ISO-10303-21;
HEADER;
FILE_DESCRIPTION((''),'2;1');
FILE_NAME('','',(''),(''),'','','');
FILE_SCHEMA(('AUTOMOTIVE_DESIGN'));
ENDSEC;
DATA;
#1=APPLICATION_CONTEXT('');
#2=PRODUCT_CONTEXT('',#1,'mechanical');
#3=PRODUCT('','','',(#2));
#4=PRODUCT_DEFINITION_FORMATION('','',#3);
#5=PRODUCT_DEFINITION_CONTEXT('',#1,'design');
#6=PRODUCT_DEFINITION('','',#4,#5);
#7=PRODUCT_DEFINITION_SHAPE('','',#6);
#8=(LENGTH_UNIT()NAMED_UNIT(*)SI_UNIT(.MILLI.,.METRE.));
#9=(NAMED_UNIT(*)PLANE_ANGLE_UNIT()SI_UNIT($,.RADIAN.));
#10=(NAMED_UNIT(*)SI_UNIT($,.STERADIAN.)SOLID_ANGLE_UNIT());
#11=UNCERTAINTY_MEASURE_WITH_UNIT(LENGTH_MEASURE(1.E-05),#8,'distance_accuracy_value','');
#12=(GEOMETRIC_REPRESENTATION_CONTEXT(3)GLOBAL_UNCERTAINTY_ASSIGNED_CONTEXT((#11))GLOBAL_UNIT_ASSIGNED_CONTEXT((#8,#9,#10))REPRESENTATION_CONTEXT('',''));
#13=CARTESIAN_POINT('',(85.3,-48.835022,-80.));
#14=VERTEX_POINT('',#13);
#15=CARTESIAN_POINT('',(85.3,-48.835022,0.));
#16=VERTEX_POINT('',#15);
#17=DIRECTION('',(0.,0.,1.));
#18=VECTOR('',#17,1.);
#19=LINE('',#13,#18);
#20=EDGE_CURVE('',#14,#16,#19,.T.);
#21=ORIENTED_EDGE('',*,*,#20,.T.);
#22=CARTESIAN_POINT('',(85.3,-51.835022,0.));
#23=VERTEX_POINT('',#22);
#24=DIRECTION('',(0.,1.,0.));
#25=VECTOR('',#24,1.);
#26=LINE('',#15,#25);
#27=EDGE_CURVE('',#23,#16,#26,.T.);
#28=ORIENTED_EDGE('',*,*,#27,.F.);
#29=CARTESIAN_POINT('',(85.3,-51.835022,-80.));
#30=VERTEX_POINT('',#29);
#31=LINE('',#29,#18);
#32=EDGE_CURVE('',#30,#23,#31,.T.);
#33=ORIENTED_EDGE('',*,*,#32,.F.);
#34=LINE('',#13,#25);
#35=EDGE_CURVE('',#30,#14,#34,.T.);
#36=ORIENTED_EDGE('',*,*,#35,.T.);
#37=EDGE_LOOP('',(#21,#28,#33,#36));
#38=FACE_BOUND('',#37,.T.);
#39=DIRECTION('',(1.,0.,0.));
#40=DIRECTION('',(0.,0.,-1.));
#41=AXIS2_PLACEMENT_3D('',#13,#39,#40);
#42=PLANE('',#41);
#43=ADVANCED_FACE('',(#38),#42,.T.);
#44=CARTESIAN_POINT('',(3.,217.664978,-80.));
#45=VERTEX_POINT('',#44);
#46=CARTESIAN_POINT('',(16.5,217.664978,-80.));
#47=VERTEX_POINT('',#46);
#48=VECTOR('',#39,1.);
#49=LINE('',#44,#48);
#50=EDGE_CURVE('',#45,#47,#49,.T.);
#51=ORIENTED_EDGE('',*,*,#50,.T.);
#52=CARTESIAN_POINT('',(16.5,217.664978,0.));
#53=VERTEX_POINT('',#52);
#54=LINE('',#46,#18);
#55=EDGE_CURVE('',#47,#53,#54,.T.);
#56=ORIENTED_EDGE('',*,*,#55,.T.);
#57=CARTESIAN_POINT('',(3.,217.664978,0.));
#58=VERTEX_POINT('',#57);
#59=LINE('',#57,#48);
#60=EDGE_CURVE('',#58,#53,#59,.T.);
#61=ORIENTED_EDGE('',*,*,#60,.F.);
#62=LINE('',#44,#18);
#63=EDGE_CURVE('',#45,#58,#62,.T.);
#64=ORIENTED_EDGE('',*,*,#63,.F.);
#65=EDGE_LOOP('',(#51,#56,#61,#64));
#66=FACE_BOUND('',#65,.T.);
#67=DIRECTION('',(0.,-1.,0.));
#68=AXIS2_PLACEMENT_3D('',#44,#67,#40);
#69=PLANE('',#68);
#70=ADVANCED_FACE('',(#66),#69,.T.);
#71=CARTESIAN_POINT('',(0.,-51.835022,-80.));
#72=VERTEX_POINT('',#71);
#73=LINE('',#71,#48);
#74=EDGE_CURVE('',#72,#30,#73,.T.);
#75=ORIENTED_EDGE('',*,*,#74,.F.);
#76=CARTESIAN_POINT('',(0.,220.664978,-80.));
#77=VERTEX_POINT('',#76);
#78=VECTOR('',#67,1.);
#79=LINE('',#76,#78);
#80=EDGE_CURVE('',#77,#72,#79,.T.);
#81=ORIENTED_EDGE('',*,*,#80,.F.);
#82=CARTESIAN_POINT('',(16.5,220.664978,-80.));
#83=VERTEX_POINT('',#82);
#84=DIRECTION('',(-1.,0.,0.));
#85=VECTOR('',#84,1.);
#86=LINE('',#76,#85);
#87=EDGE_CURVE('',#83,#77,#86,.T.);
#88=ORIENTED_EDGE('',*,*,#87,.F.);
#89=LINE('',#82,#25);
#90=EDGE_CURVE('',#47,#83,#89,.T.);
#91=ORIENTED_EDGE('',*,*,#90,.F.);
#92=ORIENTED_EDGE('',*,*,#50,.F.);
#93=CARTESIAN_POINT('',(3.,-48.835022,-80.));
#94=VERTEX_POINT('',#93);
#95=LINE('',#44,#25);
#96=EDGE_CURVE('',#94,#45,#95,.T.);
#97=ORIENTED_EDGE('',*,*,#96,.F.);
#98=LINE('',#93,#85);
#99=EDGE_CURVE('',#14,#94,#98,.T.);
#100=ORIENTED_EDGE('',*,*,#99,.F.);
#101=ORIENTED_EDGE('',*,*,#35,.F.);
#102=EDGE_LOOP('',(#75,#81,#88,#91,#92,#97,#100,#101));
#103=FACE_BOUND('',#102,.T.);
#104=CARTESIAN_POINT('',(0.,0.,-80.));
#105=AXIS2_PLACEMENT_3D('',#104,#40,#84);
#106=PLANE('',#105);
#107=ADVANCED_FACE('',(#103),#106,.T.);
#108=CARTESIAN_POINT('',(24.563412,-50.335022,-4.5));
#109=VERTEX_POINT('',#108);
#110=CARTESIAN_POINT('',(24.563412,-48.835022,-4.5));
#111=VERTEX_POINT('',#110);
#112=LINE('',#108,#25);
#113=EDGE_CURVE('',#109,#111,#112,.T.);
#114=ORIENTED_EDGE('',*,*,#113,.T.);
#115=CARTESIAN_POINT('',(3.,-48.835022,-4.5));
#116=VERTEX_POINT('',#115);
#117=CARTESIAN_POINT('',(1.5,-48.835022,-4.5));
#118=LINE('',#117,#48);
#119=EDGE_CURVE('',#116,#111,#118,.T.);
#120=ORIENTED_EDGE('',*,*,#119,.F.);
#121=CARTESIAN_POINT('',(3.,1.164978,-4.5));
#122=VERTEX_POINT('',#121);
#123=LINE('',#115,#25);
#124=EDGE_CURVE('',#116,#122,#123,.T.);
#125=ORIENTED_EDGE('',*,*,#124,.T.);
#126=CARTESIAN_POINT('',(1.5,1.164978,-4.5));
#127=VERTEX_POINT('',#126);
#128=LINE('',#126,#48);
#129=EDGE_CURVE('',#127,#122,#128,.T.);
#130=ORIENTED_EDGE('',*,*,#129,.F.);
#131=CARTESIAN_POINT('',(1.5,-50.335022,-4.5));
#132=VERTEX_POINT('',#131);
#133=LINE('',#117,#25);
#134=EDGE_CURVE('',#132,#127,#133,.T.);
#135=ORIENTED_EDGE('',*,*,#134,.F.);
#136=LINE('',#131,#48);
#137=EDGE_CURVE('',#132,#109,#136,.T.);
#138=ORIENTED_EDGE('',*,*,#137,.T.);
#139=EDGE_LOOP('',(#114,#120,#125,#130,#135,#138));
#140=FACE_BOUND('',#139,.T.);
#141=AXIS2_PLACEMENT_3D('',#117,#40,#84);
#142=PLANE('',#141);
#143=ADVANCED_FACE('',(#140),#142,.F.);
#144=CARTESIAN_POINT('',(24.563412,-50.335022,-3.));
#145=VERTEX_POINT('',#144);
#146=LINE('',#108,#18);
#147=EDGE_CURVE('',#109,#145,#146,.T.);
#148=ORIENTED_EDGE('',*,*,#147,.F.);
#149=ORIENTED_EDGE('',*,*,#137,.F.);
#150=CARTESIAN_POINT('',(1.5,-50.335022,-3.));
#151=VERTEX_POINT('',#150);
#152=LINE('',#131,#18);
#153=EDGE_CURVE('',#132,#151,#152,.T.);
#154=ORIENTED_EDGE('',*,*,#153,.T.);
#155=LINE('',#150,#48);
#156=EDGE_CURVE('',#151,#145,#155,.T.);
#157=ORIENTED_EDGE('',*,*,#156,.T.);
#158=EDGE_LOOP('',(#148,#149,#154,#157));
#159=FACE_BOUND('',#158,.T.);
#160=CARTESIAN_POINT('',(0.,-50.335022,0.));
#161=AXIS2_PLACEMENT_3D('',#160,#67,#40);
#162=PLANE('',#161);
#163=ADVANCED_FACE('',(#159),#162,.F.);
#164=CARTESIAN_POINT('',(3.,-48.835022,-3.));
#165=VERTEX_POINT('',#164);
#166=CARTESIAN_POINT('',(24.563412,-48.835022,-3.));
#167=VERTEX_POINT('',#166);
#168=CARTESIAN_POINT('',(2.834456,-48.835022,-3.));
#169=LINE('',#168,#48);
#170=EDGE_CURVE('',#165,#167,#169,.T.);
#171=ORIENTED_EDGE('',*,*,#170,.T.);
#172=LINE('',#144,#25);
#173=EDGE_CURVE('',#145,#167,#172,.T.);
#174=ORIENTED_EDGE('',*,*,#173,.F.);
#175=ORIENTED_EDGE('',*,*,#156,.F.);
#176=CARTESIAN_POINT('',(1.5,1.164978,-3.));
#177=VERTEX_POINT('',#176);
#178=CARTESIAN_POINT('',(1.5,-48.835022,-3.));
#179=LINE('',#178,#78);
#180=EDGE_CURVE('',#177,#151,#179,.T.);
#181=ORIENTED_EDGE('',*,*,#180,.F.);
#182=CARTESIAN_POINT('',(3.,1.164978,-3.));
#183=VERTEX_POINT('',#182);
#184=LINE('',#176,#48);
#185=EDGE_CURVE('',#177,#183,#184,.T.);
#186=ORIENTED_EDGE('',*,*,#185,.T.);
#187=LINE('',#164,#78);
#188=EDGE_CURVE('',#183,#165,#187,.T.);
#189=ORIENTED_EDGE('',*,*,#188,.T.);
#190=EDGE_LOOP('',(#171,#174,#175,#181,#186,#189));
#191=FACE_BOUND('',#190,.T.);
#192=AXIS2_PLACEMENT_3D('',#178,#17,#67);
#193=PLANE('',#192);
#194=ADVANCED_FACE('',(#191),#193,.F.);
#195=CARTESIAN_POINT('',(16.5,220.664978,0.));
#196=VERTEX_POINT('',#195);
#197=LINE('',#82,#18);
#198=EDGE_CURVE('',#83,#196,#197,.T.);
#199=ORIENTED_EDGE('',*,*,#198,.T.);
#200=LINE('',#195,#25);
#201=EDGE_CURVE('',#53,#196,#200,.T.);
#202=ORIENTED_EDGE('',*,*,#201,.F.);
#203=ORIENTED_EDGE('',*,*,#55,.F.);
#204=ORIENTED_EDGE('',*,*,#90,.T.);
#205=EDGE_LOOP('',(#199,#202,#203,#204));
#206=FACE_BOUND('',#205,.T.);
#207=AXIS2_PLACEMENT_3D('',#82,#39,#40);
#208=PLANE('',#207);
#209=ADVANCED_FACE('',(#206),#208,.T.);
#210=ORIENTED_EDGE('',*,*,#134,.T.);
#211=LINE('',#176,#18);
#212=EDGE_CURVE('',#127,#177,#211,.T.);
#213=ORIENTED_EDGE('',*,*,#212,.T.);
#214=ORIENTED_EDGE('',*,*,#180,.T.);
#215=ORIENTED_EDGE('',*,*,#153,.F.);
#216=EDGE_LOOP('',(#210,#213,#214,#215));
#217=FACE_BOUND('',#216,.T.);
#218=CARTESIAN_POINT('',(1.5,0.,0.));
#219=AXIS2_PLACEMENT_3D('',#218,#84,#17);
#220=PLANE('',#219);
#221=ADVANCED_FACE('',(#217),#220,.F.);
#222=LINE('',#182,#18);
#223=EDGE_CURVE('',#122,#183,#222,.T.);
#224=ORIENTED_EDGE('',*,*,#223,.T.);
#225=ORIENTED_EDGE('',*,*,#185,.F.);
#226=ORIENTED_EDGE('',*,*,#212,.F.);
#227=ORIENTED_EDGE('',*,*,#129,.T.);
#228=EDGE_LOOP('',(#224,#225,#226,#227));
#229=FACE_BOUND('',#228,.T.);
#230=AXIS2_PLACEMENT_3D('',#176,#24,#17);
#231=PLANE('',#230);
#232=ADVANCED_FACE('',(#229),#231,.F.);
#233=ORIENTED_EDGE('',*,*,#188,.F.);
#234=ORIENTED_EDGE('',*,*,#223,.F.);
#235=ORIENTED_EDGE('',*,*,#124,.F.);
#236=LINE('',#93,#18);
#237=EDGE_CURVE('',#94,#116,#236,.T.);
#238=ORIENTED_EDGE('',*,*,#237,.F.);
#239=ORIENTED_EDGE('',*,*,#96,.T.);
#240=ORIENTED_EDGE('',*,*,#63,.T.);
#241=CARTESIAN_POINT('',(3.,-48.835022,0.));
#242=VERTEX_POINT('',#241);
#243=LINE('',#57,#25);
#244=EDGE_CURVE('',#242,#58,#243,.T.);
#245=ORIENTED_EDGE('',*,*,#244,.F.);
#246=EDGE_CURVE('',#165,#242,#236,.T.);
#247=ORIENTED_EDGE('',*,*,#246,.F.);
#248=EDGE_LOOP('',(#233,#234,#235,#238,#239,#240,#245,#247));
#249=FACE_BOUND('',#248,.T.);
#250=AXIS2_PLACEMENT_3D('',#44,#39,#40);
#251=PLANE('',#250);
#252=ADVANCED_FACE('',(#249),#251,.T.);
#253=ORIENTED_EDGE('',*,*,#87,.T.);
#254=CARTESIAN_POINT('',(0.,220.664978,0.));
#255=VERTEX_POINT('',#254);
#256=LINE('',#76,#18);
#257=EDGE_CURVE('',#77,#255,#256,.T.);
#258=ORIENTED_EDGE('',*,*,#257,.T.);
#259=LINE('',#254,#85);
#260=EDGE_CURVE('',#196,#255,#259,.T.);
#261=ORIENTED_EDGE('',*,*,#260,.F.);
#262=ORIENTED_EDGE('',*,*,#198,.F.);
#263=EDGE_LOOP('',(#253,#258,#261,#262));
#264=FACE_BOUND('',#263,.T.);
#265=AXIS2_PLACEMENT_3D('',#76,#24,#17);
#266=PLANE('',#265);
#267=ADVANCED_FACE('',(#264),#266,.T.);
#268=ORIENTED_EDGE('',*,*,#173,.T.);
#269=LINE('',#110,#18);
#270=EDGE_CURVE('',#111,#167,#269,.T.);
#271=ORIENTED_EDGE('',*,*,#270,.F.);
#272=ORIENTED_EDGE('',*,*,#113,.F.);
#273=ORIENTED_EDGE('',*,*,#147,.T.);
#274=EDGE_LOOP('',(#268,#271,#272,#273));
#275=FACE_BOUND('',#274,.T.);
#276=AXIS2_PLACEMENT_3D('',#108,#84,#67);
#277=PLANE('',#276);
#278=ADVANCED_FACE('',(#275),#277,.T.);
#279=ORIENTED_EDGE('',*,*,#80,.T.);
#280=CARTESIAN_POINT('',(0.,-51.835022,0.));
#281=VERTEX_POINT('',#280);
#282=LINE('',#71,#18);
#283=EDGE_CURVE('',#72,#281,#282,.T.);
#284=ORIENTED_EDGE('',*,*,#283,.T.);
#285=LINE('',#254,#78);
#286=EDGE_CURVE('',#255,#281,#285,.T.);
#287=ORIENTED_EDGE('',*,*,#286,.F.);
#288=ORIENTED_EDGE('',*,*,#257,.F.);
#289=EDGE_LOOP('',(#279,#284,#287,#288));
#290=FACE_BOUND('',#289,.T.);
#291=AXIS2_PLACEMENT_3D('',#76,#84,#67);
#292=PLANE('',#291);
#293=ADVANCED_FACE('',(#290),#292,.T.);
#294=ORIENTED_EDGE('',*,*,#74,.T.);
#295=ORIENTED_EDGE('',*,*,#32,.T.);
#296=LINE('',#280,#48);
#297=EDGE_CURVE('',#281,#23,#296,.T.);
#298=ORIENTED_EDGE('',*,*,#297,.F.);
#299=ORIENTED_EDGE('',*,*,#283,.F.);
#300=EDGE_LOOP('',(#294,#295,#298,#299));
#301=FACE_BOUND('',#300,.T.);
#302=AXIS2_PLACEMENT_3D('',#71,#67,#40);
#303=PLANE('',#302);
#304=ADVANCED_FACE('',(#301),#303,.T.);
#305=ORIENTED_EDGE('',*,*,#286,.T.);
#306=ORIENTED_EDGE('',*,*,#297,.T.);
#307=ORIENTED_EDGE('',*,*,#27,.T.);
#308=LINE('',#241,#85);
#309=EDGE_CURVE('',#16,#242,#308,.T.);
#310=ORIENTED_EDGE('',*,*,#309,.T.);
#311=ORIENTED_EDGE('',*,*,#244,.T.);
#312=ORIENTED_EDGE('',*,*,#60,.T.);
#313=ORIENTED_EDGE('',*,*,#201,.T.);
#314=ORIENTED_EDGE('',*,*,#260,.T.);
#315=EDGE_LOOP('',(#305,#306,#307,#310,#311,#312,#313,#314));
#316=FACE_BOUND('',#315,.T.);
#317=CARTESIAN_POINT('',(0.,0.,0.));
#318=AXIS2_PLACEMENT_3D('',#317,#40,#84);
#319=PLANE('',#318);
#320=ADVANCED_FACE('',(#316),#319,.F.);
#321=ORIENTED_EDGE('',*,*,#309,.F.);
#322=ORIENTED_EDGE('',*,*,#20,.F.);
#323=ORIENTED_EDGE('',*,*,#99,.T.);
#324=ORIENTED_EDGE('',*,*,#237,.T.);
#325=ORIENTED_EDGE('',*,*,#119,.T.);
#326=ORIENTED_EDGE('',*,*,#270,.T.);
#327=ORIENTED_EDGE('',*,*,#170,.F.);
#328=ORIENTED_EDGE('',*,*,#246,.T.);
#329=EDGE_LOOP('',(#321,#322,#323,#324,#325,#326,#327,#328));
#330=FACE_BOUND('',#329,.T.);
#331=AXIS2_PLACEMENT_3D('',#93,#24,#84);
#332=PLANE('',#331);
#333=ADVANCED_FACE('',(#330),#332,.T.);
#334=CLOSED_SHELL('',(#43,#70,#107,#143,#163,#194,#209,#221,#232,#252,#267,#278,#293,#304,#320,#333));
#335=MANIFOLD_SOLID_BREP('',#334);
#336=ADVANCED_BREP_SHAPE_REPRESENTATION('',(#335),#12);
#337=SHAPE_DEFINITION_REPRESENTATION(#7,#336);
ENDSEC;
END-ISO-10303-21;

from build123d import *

# Parameters (mm, degrees)
BOSS_EXTRUDE1_DEPTH = 80
SKETCH2_W           = 1.5
SKETCH2_H           = 50
CUT_EXTRUDE1_DEPTH  = 1.5
CUT_EXTRUDE3_DEPTH  = 1.5


with BuildPart() as part:
    # Sketch1 → Boss-Extrude1 (new body)
    with BuildSketch(Plane.XY):
        Polygon((0, 220.664977974), (0, -51.835022026), (85.3, -51.835022026), (85.3, -48.835022026), (3, -48.835022026), (3, 217.664977974), (16.5, 217.664977974), (16.5, 220.664977974), align=None)
    extrude(amount=-BOSS_EXTRUDE1_DEPTH)

    # Sketch2 → Cut-Extrude1 (cut)
    with BuildSketch(Plane(origin=(3, 0, 0), x_dir=(0, 0, -1), z_dir=(1, 0, 0))):
        with Locations((3.75, -23.835022026)):
            Rectangle(SKETCH2_W, SKETCH2_H)
    extrude(amount=-CUT_EXTRUDE1_DEPTH, mode=Mode.SUBTRACT)

    # Sketch3 → Cut-Extrude3 (cut)
    with BuildSketch(Plane(origin=(0, -48.835022026, 0), x_dir=(1, 0, 0), z_dir=(0, 1, 0))):
        Polygon((2.83445579, 3), (24.563412283, 3), (24.563412283, 4.5), (1.5, 4.5), (1.5, 3), align=None)
    extrude(amount=-CUT_EXTRUDE3_DEPTH, mode=Mode.SUBTRACT)


solid = part.part
